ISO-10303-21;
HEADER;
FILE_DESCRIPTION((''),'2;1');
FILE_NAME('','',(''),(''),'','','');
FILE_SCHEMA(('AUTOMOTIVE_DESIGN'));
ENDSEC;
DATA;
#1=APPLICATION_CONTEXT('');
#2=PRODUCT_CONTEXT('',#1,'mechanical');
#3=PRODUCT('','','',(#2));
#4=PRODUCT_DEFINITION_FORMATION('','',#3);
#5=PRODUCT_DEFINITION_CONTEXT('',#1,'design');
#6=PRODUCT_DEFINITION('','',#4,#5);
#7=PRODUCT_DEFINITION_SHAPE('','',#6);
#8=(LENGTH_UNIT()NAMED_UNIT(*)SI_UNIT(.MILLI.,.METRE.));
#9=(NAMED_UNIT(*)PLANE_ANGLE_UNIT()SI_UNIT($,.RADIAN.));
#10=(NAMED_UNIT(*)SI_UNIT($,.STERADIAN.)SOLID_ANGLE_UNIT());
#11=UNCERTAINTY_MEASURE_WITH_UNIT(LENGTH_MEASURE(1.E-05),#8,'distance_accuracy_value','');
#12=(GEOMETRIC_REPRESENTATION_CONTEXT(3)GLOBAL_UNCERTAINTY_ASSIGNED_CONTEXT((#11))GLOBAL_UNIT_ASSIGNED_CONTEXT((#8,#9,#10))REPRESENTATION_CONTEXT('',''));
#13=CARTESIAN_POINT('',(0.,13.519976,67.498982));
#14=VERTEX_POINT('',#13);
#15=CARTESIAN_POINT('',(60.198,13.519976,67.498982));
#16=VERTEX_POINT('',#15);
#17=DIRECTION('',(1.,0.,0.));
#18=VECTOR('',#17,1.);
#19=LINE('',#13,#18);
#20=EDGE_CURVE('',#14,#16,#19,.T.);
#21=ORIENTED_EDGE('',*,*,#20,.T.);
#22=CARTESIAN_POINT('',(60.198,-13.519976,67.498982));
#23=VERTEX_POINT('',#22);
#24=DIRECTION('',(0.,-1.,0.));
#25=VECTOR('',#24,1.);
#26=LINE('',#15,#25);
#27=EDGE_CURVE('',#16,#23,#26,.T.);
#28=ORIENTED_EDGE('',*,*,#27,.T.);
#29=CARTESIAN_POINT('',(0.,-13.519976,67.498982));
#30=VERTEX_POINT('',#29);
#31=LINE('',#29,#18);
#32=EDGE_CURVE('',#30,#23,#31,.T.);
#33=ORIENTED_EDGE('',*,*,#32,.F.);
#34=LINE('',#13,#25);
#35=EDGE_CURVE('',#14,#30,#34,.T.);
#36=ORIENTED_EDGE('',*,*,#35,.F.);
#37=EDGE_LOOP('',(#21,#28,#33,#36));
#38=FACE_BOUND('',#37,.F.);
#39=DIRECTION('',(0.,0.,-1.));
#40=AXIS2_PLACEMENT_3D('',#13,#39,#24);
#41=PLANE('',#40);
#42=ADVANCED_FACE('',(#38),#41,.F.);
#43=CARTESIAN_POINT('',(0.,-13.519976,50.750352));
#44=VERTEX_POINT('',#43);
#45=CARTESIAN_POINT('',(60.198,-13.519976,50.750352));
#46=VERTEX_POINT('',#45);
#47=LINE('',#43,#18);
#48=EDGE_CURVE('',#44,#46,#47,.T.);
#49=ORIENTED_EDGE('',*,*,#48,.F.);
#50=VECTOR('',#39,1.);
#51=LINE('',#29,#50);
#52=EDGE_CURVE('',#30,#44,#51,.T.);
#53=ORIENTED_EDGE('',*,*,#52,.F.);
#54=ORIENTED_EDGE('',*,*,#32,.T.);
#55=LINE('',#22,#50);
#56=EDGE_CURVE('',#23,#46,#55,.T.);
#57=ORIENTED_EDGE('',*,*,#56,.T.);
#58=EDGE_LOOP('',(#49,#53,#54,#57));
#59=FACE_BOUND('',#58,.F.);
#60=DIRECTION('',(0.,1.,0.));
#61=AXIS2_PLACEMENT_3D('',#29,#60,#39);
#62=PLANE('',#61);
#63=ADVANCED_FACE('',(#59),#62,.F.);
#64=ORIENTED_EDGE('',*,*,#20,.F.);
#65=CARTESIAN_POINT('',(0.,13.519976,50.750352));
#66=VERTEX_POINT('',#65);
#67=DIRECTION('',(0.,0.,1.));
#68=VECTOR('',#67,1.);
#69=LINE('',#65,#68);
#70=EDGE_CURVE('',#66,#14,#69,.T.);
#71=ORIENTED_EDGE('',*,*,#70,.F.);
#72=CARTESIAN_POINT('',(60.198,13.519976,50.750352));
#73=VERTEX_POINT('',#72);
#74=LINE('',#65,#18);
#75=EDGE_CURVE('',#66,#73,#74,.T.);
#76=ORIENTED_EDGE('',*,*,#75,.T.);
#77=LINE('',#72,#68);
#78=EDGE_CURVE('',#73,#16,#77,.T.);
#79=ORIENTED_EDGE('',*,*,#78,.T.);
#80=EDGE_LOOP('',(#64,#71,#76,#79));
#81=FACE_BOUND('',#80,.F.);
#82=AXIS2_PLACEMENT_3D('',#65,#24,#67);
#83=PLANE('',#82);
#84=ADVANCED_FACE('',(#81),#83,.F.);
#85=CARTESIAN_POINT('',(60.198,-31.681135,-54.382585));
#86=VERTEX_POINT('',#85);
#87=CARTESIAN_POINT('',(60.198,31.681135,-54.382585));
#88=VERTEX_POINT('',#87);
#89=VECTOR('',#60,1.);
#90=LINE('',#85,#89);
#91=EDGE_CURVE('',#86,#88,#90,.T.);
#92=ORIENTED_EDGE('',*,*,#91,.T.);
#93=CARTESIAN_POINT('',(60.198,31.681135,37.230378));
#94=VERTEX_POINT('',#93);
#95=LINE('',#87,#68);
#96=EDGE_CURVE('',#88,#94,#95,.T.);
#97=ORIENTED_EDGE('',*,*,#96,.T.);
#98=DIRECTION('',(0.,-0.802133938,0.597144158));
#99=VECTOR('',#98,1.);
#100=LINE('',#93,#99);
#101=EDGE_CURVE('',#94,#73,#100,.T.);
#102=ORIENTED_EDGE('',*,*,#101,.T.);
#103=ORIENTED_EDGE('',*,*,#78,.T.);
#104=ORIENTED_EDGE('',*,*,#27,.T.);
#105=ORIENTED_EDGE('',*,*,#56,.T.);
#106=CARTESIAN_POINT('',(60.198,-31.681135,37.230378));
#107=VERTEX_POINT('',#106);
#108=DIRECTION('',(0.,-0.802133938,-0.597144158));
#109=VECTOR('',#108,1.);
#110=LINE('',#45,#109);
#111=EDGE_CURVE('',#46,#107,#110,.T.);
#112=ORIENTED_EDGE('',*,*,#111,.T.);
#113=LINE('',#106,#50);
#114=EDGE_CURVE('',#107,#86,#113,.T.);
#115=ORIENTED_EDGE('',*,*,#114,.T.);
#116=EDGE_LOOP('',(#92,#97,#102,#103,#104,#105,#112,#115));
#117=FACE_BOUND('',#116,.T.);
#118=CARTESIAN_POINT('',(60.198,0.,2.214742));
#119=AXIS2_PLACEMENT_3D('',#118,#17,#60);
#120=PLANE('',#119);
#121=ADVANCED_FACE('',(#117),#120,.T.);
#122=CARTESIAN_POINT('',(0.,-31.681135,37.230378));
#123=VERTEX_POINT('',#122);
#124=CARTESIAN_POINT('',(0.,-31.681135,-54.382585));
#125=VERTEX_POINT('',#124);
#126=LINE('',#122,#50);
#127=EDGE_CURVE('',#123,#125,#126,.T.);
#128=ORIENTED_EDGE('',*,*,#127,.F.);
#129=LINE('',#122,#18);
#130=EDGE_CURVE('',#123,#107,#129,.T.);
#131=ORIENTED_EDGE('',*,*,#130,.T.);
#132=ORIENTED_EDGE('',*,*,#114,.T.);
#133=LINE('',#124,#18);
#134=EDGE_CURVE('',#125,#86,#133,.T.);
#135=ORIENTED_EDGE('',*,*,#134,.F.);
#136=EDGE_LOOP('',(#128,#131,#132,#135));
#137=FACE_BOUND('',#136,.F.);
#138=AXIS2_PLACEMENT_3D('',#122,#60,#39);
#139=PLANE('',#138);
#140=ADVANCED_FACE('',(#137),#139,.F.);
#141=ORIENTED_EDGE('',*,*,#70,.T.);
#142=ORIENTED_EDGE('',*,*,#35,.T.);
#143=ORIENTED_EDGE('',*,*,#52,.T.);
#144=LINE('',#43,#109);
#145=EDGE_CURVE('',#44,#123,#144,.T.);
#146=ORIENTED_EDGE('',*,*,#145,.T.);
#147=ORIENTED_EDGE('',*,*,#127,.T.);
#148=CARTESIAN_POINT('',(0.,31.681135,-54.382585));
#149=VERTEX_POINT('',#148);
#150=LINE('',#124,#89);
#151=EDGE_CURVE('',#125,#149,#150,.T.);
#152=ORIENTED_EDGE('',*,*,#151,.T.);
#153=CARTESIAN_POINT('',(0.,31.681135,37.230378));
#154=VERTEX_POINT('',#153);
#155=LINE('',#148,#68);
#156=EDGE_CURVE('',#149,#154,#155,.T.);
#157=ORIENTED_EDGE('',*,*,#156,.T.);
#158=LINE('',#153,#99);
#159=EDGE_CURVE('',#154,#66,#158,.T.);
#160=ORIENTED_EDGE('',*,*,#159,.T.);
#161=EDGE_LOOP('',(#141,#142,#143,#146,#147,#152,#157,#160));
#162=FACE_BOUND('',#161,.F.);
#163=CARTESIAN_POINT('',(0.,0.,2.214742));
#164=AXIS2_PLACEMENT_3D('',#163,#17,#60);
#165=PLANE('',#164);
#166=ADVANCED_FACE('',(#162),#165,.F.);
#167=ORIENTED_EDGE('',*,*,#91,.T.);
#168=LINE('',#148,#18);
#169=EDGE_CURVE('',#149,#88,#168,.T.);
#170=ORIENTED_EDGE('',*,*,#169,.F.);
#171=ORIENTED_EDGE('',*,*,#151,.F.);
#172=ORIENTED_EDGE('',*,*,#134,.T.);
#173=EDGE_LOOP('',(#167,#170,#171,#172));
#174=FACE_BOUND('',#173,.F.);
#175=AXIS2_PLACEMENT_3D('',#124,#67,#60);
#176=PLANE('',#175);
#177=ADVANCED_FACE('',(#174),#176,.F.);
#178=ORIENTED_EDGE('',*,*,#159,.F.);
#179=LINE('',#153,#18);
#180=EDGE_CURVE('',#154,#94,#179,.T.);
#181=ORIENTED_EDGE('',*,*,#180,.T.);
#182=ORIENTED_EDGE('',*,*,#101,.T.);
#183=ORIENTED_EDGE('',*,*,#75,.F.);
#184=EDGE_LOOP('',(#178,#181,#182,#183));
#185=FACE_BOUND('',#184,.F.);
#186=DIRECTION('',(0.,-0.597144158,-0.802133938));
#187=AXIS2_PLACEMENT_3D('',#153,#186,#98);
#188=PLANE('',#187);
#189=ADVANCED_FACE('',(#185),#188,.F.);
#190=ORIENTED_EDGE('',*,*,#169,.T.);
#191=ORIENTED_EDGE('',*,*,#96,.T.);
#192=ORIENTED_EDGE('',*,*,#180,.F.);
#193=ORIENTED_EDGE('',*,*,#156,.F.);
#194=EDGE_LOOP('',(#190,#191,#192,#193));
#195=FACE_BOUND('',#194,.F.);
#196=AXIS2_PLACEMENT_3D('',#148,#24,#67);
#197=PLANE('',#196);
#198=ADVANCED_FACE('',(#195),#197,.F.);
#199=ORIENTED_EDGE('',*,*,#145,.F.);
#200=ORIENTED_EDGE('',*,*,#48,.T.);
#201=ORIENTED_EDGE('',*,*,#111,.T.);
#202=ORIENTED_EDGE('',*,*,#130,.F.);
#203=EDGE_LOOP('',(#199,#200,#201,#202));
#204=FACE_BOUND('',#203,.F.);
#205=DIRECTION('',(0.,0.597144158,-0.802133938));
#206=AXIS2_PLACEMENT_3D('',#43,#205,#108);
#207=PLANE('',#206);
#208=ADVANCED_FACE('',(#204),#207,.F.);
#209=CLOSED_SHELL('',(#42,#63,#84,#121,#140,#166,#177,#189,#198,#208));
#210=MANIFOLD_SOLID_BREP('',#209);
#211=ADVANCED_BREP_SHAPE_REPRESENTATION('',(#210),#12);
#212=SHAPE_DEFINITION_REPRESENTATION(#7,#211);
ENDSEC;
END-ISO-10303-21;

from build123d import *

# Parameters (mm, degrees)
F1_DEPTH = 60.198


with BuildPart() as f1:
    # F0 (on Right) → F1 (new body)
    with BuildSketch(Plane.YZ):
        Polygon((-31.681135, 37.230378), (-31.681135, -54.382585), (31.681135, -54.382585), (31.681135, 37.230378), (13.519976, 50.750352), (13.519976, 67.498982), (0, 67.498982), (-13.519976, 67.498982), (-13.519976, 50.750352), align=None)
    extrude(amount=F1_DEPTH)


solid = f1.part
